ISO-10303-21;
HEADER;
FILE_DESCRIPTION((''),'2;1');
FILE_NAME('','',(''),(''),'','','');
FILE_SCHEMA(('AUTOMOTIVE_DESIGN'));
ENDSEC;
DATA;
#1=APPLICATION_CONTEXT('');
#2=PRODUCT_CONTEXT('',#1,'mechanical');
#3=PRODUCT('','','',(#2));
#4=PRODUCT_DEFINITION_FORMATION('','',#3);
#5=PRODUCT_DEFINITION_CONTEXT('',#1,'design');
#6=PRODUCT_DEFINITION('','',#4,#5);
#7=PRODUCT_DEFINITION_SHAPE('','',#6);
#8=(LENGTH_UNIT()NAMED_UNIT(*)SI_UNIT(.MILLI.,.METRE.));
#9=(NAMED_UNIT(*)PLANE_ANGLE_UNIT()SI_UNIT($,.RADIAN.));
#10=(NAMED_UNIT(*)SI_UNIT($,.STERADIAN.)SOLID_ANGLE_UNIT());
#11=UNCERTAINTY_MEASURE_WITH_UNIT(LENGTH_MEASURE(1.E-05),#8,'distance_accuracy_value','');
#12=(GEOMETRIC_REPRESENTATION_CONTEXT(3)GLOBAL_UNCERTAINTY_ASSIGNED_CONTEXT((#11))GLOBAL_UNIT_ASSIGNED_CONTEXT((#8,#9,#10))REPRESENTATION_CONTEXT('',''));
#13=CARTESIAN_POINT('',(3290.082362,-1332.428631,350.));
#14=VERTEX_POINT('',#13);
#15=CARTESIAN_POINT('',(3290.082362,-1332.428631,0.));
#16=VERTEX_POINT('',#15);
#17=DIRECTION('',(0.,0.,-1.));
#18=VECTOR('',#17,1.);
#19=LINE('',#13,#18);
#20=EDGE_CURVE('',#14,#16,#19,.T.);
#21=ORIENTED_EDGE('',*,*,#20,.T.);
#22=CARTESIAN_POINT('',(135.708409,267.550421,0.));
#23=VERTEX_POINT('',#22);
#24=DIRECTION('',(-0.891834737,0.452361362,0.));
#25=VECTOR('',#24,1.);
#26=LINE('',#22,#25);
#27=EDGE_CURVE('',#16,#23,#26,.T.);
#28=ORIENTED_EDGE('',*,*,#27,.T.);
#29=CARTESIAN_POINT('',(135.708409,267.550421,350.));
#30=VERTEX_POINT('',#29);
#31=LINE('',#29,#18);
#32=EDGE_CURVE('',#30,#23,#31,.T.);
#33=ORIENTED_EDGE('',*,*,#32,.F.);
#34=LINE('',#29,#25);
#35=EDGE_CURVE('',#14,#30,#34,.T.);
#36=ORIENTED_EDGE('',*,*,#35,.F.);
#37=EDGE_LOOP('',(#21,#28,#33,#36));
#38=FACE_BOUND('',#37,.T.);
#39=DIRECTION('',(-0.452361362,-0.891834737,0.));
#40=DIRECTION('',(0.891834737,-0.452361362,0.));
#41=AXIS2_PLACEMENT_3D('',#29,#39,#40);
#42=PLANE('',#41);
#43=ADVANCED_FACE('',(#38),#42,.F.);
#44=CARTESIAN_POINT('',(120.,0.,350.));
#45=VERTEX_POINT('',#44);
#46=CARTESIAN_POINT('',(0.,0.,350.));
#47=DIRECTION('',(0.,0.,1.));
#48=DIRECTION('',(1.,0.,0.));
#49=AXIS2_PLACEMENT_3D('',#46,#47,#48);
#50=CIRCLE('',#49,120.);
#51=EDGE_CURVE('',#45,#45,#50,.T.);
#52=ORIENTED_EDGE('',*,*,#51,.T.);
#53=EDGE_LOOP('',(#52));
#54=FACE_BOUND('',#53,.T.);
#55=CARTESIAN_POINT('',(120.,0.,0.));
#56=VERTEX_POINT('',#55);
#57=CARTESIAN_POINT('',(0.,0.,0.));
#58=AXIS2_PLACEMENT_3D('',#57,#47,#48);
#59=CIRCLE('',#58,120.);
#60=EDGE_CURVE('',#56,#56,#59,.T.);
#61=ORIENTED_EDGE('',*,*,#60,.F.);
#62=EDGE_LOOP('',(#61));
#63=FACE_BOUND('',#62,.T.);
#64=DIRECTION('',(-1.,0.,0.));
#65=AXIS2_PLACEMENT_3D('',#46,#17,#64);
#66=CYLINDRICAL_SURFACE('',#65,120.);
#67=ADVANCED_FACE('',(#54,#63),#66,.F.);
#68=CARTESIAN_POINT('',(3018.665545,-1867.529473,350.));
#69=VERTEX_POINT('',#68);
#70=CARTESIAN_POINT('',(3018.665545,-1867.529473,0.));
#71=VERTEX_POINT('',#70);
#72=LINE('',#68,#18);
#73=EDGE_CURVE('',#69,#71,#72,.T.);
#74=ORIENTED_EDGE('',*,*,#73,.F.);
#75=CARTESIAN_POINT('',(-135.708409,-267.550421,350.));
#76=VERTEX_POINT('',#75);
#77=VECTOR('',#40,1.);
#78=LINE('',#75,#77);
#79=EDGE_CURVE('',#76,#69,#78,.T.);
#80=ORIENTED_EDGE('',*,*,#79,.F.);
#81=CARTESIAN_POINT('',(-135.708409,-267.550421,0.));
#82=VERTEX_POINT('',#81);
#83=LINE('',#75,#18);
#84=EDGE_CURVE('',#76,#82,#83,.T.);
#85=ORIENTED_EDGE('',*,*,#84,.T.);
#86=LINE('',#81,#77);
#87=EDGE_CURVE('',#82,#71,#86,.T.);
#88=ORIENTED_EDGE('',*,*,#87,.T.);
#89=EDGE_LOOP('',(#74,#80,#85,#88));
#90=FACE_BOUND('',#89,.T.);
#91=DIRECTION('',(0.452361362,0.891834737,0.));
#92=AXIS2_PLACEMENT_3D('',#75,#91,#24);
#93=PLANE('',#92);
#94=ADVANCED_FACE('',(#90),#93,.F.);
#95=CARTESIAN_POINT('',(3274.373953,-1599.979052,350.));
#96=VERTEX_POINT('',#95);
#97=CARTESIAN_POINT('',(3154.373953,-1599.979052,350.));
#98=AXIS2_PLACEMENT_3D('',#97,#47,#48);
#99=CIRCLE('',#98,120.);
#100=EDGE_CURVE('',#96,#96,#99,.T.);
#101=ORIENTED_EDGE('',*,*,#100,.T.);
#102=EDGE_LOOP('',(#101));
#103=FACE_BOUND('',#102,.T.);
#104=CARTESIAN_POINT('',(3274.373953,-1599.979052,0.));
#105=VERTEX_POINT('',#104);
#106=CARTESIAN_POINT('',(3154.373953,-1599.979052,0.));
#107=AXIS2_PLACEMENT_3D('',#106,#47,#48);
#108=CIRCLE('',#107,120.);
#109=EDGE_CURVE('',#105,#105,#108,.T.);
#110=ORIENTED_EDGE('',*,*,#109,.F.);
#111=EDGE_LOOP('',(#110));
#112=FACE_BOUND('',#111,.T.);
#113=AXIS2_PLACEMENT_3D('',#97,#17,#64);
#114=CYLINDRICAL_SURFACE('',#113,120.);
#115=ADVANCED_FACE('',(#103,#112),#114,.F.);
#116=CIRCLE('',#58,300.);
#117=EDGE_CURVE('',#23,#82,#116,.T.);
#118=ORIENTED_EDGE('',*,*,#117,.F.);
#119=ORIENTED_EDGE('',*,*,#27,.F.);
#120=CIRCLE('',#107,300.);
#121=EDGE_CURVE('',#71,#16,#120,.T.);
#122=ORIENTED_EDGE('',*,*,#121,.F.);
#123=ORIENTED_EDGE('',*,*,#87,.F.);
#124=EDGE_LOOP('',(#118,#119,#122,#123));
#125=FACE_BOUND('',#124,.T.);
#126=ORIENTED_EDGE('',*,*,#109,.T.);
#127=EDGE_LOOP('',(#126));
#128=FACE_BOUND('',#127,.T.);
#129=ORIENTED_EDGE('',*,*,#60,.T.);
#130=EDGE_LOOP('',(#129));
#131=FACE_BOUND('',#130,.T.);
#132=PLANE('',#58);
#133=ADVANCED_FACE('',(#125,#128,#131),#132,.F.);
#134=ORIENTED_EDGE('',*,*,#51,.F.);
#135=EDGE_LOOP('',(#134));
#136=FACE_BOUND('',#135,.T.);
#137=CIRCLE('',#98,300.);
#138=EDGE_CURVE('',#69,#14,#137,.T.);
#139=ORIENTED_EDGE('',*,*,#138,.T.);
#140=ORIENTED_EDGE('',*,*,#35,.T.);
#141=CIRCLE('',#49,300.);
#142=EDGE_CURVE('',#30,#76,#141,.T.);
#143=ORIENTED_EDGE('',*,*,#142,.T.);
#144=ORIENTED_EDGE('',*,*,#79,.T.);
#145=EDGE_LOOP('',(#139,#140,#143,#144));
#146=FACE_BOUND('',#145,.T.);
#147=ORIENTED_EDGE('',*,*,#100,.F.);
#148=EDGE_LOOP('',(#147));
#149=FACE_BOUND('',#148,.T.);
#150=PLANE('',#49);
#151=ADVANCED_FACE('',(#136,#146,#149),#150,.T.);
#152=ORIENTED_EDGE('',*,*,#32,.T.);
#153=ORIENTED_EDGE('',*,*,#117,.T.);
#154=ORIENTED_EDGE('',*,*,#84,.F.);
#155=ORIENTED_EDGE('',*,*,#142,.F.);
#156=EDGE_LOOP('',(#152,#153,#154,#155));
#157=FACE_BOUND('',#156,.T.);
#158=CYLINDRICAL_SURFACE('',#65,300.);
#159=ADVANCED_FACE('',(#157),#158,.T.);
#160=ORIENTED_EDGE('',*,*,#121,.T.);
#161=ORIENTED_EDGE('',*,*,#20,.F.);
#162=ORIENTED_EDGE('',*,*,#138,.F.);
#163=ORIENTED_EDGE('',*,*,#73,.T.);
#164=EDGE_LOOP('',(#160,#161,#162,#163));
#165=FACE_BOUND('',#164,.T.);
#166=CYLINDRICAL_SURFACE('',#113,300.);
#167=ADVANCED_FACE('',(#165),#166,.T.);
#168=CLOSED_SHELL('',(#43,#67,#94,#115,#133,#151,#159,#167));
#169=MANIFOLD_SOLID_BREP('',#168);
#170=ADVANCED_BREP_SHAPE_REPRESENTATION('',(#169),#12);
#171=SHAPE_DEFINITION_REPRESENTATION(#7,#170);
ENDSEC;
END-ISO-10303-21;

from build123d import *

# Parameters (mm, degrees)
SKETCH16_R           = 120
BOSS_EXTRUDE13_DEPTH = 350


with BuildPart() as part:
    # Sketch16 → Boss-Extrude13 (new body)
    with BuildSketch(Plane.XY):
        with BuildLine():
            Line((-135.708408551, -267.550421133), (3018.665544647, -1867.529473116))
            ThreePointArc((3018.665544647, -1867.529473116), (3421.924374331, -1735.687460534), (3290.082361748, -1332.42863085))
            Line((3290.082361748, -1332.42863085), (135.708408551, 267.550421133))
            ThreePointArc((135.708408551, 267.550421133), (-267.550421133, 135.708408551), (-135.708408551, -267.550421133))
        make_face()
        Circle(SKETCH16_R, mode=Mode.SUBTRACT)
        with Locations((3154.373953197, -1599.979051983)):
            Circle(SKETCH16_R, mode=Mode.SUBTRACT)
    extrude(amount=BOSS_EXTRUDE13_DEPTH)


solid = part.part
